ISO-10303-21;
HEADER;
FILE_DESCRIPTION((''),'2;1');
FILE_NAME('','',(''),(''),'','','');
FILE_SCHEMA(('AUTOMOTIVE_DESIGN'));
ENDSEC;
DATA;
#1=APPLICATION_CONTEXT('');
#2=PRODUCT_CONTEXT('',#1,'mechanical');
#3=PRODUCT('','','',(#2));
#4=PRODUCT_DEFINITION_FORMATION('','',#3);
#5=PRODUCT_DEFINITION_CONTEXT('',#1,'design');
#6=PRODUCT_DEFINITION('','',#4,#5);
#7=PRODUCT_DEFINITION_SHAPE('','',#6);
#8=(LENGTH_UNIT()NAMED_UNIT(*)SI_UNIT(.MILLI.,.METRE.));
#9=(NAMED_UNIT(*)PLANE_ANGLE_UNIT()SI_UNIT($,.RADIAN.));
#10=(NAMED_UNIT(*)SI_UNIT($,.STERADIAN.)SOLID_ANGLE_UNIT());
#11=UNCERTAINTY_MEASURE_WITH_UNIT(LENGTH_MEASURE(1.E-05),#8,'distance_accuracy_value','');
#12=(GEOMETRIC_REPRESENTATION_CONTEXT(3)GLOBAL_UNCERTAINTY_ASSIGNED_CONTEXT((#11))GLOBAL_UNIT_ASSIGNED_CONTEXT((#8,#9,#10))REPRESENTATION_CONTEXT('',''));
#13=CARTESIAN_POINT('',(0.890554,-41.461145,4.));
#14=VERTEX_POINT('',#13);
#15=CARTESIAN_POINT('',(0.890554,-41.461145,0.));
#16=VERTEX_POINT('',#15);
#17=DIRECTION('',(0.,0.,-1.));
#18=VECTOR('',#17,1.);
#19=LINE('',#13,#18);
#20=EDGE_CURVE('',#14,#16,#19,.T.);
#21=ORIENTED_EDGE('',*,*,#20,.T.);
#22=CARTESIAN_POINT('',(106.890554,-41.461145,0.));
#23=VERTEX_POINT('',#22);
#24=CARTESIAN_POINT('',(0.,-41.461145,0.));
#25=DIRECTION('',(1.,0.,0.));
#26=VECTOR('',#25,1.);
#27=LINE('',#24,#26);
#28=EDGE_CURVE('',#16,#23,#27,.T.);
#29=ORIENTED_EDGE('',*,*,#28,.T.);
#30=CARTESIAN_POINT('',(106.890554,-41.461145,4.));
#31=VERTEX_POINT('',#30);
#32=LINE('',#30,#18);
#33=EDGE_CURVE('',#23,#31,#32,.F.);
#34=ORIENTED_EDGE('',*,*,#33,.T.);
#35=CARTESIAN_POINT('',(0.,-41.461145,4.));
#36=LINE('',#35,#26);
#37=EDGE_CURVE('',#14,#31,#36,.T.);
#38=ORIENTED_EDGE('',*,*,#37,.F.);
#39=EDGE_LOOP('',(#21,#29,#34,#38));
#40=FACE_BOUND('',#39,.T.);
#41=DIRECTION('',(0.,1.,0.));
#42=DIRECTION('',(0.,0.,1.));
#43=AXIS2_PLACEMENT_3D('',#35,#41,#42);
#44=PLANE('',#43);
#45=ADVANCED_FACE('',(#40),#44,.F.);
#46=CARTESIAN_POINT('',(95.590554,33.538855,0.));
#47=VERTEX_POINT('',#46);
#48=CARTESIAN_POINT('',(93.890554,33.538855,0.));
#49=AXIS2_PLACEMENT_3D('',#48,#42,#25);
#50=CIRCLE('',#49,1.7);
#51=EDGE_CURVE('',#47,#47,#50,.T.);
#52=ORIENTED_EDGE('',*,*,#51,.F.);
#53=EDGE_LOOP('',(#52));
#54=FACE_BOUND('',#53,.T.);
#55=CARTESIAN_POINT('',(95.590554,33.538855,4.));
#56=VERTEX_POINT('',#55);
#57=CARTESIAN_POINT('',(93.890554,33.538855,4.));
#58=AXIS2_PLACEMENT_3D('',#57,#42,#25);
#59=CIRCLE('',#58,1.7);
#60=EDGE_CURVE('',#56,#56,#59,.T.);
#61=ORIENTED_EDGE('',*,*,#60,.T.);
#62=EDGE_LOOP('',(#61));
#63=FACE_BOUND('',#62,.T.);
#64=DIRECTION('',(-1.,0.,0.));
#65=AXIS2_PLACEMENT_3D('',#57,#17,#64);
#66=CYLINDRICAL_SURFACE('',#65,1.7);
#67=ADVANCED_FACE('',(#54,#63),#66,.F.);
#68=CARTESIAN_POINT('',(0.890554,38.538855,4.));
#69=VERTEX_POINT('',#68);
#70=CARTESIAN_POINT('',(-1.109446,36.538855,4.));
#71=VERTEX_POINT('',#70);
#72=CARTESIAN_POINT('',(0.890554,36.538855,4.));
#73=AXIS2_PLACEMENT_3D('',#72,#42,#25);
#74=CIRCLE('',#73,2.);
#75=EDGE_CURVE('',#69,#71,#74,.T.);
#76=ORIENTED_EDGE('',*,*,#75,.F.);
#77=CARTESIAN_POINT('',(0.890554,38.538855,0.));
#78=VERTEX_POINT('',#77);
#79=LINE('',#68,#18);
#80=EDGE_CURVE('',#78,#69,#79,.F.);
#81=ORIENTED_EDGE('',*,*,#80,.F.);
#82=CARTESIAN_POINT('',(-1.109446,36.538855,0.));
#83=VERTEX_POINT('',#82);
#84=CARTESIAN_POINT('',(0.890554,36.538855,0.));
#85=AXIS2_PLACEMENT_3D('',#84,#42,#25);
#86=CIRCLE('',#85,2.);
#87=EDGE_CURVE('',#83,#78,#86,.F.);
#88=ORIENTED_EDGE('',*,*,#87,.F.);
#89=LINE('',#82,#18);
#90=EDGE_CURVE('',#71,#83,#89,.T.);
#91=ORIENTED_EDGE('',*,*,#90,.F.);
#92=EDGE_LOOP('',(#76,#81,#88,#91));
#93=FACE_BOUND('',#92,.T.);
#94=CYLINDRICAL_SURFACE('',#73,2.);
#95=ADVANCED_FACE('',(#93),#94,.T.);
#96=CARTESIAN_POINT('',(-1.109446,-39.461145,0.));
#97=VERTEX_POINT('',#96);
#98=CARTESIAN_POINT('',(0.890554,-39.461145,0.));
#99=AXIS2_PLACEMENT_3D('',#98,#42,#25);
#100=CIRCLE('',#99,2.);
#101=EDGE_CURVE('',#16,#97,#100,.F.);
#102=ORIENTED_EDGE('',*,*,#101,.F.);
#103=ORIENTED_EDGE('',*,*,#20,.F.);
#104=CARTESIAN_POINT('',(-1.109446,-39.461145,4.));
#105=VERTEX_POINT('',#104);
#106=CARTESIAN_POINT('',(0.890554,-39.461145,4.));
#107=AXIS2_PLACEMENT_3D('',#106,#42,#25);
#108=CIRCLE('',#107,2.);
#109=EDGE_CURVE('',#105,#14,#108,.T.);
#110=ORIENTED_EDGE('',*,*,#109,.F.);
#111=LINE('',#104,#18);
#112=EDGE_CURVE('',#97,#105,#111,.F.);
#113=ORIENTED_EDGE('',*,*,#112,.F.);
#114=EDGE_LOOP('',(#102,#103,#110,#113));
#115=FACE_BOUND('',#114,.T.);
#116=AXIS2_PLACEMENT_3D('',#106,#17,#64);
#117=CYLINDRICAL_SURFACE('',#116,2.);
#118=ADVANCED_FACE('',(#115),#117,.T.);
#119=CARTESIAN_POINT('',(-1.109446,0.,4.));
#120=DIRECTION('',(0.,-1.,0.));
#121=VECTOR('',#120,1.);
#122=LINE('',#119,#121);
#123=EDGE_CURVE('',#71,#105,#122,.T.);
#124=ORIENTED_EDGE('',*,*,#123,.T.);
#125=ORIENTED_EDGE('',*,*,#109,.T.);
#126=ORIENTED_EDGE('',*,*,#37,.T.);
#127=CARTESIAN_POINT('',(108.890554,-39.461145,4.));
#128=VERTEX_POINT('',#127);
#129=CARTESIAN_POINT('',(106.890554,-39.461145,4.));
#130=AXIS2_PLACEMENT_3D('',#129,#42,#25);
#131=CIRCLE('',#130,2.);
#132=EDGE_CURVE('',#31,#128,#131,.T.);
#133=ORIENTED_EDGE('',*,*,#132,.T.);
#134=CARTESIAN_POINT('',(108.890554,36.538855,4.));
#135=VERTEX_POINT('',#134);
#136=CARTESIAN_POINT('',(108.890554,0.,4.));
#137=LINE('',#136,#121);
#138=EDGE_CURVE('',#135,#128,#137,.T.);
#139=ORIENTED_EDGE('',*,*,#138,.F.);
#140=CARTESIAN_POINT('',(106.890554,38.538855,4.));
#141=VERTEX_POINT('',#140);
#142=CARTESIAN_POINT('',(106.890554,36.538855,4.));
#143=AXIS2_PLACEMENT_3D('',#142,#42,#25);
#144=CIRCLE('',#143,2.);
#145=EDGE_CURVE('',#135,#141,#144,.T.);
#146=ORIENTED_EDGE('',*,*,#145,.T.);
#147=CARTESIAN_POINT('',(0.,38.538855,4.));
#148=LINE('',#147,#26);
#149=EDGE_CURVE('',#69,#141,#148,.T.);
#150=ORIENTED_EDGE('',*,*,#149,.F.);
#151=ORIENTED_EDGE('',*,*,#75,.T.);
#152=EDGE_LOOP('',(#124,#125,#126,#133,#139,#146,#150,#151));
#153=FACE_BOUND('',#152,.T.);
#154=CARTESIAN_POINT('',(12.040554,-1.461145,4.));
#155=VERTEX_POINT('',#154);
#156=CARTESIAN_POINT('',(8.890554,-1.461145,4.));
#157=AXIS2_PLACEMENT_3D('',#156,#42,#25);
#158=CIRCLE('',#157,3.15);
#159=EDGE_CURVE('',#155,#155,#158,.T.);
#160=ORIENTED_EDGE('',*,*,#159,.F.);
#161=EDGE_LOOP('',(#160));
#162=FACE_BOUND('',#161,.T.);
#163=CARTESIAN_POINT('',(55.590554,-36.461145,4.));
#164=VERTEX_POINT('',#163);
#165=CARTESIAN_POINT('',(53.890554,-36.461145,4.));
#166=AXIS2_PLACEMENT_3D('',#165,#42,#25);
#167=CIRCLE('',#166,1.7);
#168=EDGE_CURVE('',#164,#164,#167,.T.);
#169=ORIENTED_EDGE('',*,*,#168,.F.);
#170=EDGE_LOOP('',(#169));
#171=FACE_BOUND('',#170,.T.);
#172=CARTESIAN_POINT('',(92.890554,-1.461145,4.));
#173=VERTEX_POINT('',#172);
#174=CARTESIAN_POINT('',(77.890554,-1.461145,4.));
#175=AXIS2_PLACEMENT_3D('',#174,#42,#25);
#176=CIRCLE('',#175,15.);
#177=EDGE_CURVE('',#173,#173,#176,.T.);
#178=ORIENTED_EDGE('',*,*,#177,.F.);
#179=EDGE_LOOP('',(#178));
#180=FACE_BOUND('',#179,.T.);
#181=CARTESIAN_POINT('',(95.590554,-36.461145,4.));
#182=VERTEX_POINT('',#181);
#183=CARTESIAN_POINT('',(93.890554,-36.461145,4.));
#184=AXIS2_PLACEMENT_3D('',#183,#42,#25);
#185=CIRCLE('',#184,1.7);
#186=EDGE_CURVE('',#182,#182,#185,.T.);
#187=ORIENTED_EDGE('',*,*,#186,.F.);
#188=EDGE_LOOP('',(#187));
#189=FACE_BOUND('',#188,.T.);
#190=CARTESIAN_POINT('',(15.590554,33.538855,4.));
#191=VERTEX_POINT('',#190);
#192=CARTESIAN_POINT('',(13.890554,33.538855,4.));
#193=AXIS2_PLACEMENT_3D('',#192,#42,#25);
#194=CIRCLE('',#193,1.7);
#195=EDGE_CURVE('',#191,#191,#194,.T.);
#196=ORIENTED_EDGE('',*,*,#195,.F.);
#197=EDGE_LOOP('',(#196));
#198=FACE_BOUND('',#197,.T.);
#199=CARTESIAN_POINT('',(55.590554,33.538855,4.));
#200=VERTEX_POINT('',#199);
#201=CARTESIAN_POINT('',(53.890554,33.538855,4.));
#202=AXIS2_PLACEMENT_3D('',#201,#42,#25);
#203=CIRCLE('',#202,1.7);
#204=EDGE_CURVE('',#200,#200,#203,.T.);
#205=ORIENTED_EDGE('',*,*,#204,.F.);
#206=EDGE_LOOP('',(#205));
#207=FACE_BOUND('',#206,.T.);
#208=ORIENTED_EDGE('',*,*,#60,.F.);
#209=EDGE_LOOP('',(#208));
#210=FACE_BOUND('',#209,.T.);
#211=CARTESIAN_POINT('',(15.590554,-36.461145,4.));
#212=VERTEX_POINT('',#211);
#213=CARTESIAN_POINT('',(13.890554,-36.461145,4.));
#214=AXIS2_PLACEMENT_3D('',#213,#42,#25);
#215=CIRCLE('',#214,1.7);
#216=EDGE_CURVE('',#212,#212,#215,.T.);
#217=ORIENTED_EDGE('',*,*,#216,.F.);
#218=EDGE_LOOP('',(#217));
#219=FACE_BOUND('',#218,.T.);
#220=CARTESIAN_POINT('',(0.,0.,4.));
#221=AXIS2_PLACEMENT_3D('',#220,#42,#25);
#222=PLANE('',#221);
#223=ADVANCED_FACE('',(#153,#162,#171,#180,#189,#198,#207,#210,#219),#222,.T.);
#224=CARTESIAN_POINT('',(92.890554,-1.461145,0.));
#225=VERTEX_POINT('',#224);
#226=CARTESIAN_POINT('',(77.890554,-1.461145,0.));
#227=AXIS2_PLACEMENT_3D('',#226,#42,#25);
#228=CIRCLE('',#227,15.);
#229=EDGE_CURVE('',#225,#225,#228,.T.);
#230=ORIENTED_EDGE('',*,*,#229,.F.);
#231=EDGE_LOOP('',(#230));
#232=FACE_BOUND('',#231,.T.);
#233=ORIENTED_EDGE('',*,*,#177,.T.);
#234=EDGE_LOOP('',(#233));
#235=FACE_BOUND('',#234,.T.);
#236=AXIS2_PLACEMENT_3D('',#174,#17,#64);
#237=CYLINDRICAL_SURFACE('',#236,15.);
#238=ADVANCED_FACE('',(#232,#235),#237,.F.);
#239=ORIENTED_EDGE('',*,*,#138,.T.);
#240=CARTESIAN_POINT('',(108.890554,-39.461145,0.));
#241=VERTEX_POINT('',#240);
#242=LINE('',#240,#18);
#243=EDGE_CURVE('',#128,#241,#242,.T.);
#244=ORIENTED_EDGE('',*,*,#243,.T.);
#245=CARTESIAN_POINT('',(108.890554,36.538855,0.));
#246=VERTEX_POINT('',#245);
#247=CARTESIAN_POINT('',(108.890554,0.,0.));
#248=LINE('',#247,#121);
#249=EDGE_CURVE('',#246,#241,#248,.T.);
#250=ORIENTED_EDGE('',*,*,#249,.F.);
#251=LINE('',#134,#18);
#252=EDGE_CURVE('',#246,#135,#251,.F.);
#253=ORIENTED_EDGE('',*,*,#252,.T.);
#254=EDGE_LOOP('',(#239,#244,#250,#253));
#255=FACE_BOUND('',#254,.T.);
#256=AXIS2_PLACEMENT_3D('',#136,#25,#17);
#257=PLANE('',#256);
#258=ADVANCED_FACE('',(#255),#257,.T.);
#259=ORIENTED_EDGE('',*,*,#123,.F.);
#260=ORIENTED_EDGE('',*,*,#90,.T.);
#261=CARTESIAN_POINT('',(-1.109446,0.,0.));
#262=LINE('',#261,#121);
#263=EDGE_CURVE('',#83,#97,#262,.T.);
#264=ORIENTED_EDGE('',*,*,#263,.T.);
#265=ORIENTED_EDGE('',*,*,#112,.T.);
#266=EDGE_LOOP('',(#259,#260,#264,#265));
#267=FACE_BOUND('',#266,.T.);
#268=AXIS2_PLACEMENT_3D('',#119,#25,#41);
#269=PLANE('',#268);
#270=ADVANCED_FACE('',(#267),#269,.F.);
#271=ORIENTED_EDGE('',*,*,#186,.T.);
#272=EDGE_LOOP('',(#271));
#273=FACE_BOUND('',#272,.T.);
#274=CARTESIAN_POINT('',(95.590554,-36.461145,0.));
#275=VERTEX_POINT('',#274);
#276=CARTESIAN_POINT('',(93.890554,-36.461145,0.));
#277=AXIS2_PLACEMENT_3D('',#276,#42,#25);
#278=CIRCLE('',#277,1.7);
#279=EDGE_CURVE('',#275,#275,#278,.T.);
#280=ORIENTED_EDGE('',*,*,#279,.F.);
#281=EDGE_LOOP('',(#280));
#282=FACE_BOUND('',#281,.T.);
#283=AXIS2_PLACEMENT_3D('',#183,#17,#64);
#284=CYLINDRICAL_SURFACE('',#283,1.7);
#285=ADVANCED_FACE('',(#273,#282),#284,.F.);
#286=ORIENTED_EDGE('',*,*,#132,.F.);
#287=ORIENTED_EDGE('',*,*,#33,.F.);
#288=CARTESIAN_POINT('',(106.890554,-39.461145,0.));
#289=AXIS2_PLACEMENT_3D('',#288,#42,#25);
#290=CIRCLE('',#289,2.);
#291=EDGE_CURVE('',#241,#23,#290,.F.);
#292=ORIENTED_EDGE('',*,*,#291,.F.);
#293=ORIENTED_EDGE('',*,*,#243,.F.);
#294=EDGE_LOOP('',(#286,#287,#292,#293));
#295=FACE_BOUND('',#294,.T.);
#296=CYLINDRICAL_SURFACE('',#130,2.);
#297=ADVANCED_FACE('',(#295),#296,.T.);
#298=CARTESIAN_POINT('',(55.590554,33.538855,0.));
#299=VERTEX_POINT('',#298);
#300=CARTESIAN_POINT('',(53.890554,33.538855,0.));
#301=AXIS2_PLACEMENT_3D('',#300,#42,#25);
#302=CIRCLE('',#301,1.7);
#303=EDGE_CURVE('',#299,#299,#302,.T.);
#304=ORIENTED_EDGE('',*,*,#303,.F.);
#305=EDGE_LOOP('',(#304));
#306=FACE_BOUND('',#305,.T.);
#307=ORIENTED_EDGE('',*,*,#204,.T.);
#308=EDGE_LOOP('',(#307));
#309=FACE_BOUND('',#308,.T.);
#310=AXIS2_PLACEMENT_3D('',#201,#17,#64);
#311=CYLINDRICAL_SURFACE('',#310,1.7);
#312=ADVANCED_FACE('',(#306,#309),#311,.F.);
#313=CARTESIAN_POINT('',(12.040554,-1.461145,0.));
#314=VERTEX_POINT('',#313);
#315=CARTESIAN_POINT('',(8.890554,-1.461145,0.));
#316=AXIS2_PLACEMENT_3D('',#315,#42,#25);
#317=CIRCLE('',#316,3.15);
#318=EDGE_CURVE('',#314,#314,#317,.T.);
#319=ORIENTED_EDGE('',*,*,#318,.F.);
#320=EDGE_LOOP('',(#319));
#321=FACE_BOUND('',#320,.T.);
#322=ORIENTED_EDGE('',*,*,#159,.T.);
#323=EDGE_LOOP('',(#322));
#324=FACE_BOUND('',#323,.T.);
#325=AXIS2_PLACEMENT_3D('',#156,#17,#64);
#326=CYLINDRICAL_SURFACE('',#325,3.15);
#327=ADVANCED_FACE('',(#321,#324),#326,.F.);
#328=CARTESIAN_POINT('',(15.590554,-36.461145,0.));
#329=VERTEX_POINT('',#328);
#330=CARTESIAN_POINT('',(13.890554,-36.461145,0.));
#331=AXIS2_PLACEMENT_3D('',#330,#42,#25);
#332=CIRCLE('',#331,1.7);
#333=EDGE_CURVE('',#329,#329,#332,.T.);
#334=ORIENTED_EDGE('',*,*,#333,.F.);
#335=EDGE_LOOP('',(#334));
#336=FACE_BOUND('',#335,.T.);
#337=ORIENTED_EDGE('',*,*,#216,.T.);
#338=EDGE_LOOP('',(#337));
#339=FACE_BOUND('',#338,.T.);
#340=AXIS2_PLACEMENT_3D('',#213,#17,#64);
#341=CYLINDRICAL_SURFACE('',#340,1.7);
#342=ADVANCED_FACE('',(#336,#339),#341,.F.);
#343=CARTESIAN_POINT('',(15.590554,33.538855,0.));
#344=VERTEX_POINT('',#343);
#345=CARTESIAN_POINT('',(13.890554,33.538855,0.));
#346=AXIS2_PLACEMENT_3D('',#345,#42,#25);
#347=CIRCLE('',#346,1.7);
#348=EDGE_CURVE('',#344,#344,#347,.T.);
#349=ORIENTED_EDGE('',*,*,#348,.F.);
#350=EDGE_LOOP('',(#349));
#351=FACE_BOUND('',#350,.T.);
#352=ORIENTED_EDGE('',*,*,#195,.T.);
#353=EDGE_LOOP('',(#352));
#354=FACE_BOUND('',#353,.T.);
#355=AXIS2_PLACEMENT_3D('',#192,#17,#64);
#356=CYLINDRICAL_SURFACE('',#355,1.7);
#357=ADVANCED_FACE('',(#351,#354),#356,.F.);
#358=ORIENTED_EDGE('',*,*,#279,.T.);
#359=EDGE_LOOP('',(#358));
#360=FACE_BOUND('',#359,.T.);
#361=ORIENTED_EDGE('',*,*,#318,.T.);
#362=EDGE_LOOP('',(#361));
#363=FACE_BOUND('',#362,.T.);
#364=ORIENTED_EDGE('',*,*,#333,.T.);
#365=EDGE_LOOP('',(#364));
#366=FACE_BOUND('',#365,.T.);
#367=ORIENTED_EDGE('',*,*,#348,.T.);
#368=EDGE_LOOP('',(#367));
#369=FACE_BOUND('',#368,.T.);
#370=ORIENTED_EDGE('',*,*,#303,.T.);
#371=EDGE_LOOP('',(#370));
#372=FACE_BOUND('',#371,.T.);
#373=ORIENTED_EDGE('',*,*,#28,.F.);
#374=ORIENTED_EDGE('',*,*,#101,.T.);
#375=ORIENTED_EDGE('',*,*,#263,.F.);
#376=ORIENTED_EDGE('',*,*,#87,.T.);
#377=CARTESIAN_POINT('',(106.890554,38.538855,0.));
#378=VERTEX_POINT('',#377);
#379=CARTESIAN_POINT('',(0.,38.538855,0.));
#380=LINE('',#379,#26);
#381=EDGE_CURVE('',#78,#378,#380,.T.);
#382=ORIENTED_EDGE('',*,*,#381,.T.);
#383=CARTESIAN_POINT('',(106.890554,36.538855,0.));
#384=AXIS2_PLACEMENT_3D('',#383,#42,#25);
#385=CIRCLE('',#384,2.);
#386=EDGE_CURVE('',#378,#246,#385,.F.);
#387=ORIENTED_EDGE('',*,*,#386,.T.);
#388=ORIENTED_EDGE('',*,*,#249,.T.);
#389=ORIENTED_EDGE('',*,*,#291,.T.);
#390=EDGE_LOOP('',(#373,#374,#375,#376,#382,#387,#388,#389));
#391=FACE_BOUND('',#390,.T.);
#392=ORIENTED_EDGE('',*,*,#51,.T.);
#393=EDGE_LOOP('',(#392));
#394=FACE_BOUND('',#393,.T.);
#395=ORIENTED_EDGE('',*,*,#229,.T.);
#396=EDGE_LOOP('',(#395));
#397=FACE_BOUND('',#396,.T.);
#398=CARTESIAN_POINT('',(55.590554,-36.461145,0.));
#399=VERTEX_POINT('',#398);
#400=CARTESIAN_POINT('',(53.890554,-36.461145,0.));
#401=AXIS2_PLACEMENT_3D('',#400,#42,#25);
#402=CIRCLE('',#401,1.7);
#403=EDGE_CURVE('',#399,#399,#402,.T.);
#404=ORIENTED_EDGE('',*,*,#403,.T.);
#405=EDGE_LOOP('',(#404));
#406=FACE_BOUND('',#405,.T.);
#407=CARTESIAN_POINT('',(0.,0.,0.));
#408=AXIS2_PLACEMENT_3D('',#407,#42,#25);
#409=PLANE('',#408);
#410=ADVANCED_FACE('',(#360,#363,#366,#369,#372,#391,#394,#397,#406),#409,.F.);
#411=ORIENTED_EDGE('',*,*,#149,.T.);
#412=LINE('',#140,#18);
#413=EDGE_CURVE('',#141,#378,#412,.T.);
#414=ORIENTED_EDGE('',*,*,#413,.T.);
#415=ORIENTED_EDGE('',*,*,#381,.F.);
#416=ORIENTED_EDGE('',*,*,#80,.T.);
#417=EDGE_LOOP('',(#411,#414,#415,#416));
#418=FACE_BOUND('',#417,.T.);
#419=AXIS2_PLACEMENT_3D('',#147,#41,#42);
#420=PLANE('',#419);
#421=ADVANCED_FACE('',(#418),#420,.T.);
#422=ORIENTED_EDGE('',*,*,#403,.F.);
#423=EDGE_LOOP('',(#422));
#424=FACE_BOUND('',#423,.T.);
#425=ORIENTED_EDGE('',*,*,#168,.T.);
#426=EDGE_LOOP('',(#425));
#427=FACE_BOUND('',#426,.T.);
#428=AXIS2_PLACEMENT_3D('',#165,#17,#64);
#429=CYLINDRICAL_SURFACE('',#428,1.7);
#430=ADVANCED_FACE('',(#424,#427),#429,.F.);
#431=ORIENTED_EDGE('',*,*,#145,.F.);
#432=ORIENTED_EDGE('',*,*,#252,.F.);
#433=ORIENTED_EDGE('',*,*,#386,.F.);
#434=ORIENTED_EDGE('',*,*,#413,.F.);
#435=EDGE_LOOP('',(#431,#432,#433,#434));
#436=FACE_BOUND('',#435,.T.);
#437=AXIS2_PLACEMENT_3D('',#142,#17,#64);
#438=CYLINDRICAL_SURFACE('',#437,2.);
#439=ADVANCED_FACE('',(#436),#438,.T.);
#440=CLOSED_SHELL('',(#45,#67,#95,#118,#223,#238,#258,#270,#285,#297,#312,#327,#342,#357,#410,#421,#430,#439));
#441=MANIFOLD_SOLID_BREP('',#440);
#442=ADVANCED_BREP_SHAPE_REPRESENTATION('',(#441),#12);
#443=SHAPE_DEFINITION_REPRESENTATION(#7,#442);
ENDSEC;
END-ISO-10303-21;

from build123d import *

# Parameters (mm, degrees)
SKETCH1_W           = 110
SKETCH1_H           = 80
SKETCH1_R           = 1.7
SKETCH1_R_2         = 3.15
SKETCH1_R_3         = 15
BOSS_EXTRUDE1_DEPTH = 4
FILLET1_R           = 2


with BuildPart() as part:
    # Sketch1 → Boss-Extrude1 (new body)
    with BuildSketch(Plane.XY):
        with Locations((53.890553518, -1.461144776)):
            Rectangle(SKETCH1_W, SKETCH1_H)
        with Locations((13.890553518, 33.538855224)):
            Circle(SKETCH1_R, mode=Mode.SUBTRACT)
        with Locations((93.890553518, 33.538855224)):
            Circle(SKETCH1_R, mode=Mode.SUBTRACT)
        with Locations((53.890553518, 33.538855224)):
            Circle(SKETCH1_R, mode=Mode.SUBTRACT)
        with Locations((13.890553518, -36.461144776)):
            Circle(SKETCH1_R, mode=Mode.SUBTRACT)
        with Locations((53.890553518, -36.461144776)):
            Circle(SKETCH1_R, mode=Mode.SUBTRACT)
        with Locations((93.890553518, -36.461144776)):
            Circle(SKETCH1_R, mode=Mode.SUBTRACT)
        with Locations((8.890553518, -1.461144776)):
            Circle(SKETCH1_R_2, mode=Mode.SUBTRACT)
        with Locations((77.890553518, -1.461144776)):
            Circle(SKETCH1_R_3, mode=Mode.SUBTRACT)
    extrude(amount=BOSS_EXTRUDE1_DEPTH)

    # Fillet1
    fillet1_edges = [part.edges().sort_by_distance(p)[0] for p in [
        (108.890553518, -41.461144776, 2),
        (-1.109446482, -41.461144776, 2),
        (-1.109446482, 38.538855224, 2),
        (108.890553518, 38.538855224, 2),
    ]]
    fillet(fillet1_edges, radius=FILLET1_R)


solid = part.part
